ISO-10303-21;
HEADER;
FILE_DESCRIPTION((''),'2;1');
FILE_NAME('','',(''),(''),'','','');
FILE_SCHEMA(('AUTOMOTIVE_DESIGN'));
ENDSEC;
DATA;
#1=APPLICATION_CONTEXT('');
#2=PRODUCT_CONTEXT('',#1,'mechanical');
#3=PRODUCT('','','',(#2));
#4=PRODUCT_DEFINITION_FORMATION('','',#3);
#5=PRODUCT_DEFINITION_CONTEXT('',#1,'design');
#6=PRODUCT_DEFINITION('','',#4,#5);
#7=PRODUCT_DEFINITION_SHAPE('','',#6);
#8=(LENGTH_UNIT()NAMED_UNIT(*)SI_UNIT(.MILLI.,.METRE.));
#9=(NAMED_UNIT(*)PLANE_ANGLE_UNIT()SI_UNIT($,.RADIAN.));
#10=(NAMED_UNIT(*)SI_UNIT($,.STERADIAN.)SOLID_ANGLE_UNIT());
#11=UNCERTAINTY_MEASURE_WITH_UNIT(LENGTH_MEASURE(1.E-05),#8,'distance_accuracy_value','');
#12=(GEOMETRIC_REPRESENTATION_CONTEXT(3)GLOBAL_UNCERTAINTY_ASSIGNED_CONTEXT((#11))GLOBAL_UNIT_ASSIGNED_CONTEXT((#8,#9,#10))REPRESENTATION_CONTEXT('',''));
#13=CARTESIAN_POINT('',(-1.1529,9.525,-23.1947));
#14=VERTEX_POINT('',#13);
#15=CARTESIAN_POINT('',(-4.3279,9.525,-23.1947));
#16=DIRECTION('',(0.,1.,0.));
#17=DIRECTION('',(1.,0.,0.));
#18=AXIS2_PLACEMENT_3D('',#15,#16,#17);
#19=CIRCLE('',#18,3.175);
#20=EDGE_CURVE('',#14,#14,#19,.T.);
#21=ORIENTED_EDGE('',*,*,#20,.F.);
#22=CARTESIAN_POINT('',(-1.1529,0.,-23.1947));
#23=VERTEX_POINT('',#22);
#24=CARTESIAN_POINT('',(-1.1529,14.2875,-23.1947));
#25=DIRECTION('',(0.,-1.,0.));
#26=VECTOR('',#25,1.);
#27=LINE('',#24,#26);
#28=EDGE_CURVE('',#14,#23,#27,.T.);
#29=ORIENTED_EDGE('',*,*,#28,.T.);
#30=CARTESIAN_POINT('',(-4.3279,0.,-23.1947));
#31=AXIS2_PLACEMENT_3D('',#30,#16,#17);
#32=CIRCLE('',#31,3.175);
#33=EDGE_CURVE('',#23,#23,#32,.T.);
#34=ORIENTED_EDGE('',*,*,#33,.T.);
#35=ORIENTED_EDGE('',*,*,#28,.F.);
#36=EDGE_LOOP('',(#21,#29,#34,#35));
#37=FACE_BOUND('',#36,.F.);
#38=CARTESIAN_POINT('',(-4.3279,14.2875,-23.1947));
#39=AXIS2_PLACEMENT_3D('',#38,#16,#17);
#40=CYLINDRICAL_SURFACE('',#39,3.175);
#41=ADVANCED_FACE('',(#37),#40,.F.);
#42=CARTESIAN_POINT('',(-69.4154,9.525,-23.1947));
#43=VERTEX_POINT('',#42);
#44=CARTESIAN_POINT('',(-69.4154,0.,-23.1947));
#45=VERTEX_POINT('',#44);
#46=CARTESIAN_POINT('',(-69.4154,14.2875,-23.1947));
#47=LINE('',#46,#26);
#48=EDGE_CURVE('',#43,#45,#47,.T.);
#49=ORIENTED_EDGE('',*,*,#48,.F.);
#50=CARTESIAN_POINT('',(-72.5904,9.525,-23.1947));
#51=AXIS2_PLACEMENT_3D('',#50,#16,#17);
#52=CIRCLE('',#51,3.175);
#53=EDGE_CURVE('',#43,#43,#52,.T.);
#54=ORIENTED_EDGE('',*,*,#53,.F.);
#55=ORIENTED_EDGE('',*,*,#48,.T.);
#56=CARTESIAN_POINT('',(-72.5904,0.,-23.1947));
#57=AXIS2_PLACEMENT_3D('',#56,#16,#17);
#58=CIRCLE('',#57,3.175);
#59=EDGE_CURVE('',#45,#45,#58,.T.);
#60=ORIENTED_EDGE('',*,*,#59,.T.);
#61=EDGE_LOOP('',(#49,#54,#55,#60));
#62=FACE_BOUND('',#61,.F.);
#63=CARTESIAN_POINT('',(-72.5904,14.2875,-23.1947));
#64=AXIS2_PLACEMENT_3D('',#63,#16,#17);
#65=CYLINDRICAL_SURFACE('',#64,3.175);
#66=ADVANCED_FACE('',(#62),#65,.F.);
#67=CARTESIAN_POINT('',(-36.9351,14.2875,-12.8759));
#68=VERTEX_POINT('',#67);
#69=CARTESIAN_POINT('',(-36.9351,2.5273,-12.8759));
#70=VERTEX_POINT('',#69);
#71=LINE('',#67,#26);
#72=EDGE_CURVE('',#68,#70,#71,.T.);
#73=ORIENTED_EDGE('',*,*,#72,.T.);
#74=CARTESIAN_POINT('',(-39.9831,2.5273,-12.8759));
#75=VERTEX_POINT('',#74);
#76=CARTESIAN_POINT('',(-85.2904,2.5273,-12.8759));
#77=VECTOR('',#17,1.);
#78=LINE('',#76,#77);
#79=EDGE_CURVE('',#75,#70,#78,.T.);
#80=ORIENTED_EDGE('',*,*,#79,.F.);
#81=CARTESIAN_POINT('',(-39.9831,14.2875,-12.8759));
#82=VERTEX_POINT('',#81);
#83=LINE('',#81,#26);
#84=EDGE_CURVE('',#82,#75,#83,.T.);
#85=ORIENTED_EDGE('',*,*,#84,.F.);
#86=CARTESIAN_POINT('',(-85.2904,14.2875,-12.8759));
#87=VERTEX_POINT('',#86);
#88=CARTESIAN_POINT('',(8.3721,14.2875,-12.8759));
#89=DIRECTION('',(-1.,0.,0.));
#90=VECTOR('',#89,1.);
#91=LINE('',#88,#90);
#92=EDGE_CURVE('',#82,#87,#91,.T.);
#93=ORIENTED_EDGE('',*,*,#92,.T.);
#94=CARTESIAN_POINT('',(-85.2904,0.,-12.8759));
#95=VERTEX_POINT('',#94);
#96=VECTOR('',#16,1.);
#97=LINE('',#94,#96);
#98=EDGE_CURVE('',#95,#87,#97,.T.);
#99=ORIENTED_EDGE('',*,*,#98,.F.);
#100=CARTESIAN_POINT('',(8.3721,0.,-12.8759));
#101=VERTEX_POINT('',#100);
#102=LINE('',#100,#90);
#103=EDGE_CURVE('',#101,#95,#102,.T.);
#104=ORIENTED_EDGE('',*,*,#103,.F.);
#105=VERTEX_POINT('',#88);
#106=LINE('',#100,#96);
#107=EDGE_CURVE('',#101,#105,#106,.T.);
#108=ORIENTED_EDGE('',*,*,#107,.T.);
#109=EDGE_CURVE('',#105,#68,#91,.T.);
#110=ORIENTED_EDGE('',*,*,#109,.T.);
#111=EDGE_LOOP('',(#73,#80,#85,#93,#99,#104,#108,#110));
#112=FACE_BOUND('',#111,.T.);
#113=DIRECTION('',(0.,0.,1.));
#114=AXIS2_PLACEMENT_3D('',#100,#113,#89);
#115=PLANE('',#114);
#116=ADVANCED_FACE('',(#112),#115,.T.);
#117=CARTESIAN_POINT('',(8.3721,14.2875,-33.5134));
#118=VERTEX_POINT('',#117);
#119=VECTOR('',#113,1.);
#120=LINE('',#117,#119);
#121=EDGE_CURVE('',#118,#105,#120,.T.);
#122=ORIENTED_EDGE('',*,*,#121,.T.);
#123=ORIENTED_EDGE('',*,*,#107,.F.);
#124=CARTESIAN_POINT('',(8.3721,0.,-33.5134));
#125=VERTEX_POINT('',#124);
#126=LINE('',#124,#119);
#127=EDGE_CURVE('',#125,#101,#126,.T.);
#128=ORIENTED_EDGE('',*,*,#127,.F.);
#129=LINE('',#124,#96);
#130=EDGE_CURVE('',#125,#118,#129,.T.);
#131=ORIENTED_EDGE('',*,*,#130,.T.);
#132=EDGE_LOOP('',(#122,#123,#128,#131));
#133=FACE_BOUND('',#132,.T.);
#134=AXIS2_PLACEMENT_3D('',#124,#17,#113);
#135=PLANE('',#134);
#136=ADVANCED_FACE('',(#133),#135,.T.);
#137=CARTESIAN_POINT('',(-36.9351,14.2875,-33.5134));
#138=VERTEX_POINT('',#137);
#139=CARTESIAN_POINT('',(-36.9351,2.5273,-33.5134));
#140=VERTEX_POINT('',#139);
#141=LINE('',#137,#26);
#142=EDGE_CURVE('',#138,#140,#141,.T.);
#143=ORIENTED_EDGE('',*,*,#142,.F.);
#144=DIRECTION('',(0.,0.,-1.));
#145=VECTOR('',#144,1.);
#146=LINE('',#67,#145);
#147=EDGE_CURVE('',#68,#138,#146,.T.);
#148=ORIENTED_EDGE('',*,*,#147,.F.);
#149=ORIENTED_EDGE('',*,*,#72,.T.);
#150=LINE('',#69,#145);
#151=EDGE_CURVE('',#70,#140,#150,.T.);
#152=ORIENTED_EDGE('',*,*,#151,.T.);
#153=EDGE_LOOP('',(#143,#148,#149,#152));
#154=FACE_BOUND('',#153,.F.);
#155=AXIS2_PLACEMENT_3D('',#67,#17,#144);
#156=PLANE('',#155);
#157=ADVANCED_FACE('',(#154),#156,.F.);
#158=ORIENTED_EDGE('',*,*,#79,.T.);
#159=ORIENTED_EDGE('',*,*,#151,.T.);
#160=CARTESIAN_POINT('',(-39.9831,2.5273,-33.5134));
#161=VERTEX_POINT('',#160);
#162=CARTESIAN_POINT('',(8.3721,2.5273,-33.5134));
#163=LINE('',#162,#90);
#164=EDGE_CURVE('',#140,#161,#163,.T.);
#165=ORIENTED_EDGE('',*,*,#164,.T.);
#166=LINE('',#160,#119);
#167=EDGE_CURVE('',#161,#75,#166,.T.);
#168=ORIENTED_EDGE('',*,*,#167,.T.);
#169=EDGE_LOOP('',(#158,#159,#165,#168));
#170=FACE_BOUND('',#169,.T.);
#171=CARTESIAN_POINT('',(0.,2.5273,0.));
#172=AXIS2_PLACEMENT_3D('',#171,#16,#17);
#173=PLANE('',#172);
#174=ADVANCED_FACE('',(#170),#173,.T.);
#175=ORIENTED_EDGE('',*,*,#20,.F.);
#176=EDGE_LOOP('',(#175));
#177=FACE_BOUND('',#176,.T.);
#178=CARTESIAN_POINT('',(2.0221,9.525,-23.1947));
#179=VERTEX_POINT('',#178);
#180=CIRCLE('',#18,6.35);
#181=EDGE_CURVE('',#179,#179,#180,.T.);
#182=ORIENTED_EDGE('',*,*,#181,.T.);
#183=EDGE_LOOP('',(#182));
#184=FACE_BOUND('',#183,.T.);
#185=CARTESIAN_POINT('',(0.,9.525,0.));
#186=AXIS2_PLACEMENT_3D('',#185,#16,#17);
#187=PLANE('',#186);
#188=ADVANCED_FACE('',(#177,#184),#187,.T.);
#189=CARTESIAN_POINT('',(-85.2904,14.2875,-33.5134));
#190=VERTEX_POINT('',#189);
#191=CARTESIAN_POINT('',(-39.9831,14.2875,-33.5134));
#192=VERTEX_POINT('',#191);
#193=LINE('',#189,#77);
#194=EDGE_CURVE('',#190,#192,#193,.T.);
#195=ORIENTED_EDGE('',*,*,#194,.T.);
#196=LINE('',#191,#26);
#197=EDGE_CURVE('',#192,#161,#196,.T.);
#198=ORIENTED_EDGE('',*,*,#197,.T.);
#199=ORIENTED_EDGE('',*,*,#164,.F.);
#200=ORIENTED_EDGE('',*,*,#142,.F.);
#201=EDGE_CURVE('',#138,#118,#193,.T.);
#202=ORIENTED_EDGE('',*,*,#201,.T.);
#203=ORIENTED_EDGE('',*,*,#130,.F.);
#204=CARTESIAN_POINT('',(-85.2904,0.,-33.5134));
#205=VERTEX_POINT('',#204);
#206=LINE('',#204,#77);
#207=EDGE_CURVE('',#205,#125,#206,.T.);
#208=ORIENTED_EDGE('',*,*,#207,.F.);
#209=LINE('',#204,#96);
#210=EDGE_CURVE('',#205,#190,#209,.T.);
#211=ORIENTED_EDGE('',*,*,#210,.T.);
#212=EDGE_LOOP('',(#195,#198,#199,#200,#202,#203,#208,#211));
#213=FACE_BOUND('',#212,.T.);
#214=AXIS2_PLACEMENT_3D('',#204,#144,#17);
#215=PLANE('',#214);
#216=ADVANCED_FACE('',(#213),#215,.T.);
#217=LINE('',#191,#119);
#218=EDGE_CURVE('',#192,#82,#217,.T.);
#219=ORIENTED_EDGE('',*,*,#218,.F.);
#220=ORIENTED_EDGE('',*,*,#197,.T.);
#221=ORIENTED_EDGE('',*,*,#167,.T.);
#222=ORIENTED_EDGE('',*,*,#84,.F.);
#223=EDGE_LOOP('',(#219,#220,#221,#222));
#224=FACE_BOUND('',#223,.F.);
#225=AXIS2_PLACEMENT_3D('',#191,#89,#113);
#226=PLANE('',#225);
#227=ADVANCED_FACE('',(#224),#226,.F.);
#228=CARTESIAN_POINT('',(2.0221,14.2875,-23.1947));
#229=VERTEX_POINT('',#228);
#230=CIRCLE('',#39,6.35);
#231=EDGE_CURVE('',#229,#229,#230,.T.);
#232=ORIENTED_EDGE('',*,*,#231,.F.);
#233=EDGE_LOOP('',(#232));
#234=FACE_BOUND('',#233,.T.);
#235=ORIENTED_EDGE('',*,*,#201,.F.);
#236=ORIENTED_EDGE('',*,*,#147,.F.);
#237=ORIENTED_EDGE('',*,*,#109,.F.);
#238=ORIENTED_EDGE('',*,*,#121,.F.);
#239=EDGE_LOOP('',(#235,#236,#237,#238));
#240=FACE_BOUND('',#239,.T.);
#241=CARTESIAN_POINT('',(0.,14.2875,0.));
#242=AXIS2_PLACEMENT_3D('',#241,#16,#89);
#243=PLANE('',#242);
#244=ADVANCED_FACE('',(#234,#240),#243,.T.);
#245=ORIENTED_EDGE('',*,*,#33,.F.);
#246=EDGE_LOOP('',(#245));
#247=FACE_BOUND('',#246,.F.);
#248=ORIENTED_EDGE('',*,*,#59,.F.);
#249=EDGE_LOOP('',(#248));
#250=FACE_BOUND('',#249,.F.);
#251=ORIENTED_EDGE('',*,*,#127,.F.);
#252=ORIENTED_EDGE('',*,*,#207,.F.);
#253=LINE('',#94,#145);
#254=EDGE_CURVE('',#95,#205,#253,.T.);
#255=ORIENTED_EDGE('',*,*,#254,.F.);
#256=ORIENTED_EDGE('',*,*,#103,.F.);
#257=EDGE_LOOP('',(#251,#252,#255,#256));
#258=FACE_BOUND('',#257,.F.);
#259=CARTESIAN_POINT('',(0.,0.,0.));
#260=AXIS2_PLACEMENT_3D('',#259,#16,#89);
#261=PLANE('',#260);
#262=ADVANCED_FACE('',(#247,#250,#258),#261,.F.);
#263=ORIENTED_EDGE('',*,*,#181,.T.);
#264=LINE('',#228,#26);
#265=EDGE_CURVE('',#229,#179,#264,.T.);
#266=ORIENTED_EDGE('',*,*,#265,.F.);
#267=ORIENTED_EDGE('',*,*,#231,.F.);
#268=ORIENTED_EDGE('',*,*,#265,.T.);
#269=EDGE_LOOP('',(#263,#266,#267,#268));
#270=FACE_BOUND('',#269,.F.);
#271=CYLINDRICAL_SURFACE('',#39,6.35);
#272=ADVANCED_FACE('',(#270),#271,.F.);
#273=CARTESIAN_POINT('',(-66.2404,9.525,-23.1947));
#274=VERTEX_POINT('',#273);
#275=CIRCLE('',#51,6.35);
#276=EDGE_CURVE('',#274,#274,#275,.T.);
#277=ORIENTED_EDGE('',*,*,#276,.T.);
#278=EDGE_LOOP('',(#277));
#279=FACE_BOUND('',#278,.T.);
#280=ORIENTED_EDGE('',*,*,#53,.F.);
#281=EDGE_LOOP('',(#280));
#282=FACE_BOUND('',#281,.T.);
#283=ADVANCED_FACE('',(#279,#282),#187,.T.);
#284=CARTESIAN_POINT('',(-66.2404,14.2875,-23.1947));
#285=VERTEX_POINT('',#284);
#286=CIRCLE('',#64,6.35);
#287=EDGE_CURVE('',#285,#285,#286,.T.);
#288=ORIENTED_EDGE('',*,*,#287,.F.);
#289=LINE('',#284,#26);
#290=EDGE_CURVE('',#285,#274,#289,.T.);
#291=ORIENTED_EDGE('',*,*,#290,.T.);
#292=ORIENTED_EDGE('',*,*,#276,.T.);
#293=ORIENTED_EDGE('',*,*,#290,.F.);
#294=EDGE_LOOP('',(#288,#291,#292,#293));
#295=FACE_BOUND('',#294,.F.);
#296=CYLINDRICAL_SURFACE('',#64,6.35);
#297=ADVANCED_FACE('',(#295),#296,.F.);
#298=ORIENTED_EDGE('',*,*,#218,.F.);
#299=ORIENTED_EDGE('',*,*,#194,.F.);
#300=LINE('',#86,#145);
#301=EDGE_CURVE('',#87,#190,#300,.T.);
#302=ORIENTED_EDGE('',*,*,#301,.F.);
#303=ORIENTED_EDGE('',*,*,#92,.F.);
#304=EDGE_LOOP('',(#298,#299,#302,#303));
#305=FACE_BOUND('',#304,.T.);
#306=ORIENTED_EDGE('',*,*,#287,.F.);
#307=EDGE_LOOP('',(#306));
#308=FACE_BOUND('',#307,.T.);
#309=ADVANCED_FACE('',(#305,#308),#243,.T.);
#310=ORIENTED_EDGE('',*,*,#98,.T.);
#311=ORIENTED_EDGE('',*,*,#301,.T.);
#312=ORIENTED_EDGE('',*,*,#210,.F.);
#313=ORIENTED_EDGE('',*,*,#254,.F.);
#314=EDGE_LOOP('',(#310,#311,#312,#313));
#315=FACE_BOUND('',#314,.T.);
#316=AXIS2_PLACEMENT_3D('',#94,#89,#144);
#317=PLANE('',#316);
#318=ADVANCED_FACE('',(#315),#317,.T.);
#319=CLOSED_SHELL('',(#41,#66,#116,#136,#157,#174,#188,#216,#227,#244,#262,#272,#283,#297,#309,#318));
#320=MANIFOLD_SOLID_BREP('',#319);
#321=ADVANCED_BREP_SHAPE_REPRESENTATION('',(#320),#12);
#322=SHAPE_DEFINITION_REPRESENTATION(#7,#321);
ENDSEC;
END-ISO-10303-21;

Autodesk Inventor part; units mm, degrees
ref_plane "YZ Plane" through (0, 0, 0) normal (1, 0, 0) x (0, 1, 0)
ref_plane "XZ Plane" through (0, 0, 0) normal (0, 1, 0) x (-1, 0, 0)
ref_plane "XY Plane" through (0, 0, 0) normal (0, 0, 1) x (1, 0, 0)
sketch "Sketch1" plane through (0, 0, 0) normal (0, 1, 0) x (-1, 0, 0)
  line L0 (85.2904, -33.5134) -> (-8.3721, -33.5134)
  line L1 (-8.3721, -33.5134) -> (-8.3721, -12.8759)
  line L2 (-8.3721, -12.8759) -> (85.2904, -12.8759)
  line L3 (85.2904, -12.8759) -> (85.2904, -33.5134)
  point P0 (0, 0)
  dimension "d0" = 93.6625
  dimension "d1" = 20.6375
extrude "Extrusion1" add sketch "Sketch1" along normal blind 14.2875
sketch "Sketch2" plane through (0, 14.2875, 0) normal (0, 1, 0) x (1, 0, 0)
  line L0 (8.3721, 33.5134) -> (-85.2904, 33.5134) projected
  line L1 (-85.2904, 33.5134) -> (-85.2904, 12.8759) projected
  line L2 (-85.2904, 12.8759) -> (8.3721, 12.8759) projected
  line L3 (8.3721, 12.8759) -> (8.3721, 33.5134) projected
  line L4 (-85.2904, 23.1947) -> (8.3721, 23.1947) construction
  line L5 (-4.3279, 33.5134) -> (-4.3279, 12.8759) construction
  line L6 (-72.5904, 33.5134) -> (-72.5904, 12.8759) construction
  circle A0 centre (-72.5904, 23.1947) radius 3.175
  circle A1 centre (-4.3279, 23.1947) radius 3.175
  point P0 (0, 0)
  dimension "d4" = 12.7
  dimension "d5" = 12.7
  dimension "d6" = 6.35
  dimension "d7" = 6.35
extrude "Extrusion2" cut sketch "Sketch2" against normal blind 14.2875 contours A0 | A1
sketch "Sketch3" plane through (0, 14.2875, 0) normal (0, 1, 0) x (1, 0, 0)
  circle A0 centre (-72.5904, 23.1947) radius 3.175 projected
  circle A1 centre (-4.3279, 23.1947) radius 3.175 projected
  circle A2 centre (-72.5904, 23.1947) radius 6.35
  circle A3 centre (-4.3279, 23.1947) radius 6.35
  point P0 (0, 0)
  point P1 (8.3721, 33.5134)
  point P2 (-85.2904, 33.5134)
  dimension "d10" = 12.7
  dimension "d11" = 12.7
  dimension "d14" = 68.2625
  dimension "d16" = 93.6625
extrude "Extrusion3" cut sketch "Sketch3" against normal blind 4.7625
sketch "Sketch4" plane through (0, 14.2875, 0) normal (0, 1, 0) x (1, 0, 0)
  line L0 (8.3721, 33.5134) -> (-85.2904, 33.5134) projected
  line L1 (-85.2904, 12.8759) -> (8.3721, 12.8759) projected
  line L2 (-38.4591, 33.5134) -> (-38.4591, 12.8759) construction
  line L3 (-38.4591, 23.1947) -> (-36.9351, 23.1947) construction
  line L4 (-36.9351, 23.1947) -> (-39.9831, 23.1947) construction
  line L5 (-39.9831, 33.5134) -> (-39.9831, 12.8759)
  line L6 (-39.9831, 12.8759) -> (-36.9351, 12.8759)
  line L7 (-36.9351, 12.8759) -> (-36.9351, 33.5134)
  line L8 (-39.9831, 33.5134) -> (-36.9351, 33.5134)
  point P0 (0, 0)
  dimension "d19" = 1.524
  dimension "d21" = 3.048
extrude "Extrusion4" cut sketch "Sketch4" against normal blind 11.7602
equation "\"d5\" = d4"
equation "\"d6\" = d7"
equation "\"d10\" = d11"
properties part number "Battery Base"
